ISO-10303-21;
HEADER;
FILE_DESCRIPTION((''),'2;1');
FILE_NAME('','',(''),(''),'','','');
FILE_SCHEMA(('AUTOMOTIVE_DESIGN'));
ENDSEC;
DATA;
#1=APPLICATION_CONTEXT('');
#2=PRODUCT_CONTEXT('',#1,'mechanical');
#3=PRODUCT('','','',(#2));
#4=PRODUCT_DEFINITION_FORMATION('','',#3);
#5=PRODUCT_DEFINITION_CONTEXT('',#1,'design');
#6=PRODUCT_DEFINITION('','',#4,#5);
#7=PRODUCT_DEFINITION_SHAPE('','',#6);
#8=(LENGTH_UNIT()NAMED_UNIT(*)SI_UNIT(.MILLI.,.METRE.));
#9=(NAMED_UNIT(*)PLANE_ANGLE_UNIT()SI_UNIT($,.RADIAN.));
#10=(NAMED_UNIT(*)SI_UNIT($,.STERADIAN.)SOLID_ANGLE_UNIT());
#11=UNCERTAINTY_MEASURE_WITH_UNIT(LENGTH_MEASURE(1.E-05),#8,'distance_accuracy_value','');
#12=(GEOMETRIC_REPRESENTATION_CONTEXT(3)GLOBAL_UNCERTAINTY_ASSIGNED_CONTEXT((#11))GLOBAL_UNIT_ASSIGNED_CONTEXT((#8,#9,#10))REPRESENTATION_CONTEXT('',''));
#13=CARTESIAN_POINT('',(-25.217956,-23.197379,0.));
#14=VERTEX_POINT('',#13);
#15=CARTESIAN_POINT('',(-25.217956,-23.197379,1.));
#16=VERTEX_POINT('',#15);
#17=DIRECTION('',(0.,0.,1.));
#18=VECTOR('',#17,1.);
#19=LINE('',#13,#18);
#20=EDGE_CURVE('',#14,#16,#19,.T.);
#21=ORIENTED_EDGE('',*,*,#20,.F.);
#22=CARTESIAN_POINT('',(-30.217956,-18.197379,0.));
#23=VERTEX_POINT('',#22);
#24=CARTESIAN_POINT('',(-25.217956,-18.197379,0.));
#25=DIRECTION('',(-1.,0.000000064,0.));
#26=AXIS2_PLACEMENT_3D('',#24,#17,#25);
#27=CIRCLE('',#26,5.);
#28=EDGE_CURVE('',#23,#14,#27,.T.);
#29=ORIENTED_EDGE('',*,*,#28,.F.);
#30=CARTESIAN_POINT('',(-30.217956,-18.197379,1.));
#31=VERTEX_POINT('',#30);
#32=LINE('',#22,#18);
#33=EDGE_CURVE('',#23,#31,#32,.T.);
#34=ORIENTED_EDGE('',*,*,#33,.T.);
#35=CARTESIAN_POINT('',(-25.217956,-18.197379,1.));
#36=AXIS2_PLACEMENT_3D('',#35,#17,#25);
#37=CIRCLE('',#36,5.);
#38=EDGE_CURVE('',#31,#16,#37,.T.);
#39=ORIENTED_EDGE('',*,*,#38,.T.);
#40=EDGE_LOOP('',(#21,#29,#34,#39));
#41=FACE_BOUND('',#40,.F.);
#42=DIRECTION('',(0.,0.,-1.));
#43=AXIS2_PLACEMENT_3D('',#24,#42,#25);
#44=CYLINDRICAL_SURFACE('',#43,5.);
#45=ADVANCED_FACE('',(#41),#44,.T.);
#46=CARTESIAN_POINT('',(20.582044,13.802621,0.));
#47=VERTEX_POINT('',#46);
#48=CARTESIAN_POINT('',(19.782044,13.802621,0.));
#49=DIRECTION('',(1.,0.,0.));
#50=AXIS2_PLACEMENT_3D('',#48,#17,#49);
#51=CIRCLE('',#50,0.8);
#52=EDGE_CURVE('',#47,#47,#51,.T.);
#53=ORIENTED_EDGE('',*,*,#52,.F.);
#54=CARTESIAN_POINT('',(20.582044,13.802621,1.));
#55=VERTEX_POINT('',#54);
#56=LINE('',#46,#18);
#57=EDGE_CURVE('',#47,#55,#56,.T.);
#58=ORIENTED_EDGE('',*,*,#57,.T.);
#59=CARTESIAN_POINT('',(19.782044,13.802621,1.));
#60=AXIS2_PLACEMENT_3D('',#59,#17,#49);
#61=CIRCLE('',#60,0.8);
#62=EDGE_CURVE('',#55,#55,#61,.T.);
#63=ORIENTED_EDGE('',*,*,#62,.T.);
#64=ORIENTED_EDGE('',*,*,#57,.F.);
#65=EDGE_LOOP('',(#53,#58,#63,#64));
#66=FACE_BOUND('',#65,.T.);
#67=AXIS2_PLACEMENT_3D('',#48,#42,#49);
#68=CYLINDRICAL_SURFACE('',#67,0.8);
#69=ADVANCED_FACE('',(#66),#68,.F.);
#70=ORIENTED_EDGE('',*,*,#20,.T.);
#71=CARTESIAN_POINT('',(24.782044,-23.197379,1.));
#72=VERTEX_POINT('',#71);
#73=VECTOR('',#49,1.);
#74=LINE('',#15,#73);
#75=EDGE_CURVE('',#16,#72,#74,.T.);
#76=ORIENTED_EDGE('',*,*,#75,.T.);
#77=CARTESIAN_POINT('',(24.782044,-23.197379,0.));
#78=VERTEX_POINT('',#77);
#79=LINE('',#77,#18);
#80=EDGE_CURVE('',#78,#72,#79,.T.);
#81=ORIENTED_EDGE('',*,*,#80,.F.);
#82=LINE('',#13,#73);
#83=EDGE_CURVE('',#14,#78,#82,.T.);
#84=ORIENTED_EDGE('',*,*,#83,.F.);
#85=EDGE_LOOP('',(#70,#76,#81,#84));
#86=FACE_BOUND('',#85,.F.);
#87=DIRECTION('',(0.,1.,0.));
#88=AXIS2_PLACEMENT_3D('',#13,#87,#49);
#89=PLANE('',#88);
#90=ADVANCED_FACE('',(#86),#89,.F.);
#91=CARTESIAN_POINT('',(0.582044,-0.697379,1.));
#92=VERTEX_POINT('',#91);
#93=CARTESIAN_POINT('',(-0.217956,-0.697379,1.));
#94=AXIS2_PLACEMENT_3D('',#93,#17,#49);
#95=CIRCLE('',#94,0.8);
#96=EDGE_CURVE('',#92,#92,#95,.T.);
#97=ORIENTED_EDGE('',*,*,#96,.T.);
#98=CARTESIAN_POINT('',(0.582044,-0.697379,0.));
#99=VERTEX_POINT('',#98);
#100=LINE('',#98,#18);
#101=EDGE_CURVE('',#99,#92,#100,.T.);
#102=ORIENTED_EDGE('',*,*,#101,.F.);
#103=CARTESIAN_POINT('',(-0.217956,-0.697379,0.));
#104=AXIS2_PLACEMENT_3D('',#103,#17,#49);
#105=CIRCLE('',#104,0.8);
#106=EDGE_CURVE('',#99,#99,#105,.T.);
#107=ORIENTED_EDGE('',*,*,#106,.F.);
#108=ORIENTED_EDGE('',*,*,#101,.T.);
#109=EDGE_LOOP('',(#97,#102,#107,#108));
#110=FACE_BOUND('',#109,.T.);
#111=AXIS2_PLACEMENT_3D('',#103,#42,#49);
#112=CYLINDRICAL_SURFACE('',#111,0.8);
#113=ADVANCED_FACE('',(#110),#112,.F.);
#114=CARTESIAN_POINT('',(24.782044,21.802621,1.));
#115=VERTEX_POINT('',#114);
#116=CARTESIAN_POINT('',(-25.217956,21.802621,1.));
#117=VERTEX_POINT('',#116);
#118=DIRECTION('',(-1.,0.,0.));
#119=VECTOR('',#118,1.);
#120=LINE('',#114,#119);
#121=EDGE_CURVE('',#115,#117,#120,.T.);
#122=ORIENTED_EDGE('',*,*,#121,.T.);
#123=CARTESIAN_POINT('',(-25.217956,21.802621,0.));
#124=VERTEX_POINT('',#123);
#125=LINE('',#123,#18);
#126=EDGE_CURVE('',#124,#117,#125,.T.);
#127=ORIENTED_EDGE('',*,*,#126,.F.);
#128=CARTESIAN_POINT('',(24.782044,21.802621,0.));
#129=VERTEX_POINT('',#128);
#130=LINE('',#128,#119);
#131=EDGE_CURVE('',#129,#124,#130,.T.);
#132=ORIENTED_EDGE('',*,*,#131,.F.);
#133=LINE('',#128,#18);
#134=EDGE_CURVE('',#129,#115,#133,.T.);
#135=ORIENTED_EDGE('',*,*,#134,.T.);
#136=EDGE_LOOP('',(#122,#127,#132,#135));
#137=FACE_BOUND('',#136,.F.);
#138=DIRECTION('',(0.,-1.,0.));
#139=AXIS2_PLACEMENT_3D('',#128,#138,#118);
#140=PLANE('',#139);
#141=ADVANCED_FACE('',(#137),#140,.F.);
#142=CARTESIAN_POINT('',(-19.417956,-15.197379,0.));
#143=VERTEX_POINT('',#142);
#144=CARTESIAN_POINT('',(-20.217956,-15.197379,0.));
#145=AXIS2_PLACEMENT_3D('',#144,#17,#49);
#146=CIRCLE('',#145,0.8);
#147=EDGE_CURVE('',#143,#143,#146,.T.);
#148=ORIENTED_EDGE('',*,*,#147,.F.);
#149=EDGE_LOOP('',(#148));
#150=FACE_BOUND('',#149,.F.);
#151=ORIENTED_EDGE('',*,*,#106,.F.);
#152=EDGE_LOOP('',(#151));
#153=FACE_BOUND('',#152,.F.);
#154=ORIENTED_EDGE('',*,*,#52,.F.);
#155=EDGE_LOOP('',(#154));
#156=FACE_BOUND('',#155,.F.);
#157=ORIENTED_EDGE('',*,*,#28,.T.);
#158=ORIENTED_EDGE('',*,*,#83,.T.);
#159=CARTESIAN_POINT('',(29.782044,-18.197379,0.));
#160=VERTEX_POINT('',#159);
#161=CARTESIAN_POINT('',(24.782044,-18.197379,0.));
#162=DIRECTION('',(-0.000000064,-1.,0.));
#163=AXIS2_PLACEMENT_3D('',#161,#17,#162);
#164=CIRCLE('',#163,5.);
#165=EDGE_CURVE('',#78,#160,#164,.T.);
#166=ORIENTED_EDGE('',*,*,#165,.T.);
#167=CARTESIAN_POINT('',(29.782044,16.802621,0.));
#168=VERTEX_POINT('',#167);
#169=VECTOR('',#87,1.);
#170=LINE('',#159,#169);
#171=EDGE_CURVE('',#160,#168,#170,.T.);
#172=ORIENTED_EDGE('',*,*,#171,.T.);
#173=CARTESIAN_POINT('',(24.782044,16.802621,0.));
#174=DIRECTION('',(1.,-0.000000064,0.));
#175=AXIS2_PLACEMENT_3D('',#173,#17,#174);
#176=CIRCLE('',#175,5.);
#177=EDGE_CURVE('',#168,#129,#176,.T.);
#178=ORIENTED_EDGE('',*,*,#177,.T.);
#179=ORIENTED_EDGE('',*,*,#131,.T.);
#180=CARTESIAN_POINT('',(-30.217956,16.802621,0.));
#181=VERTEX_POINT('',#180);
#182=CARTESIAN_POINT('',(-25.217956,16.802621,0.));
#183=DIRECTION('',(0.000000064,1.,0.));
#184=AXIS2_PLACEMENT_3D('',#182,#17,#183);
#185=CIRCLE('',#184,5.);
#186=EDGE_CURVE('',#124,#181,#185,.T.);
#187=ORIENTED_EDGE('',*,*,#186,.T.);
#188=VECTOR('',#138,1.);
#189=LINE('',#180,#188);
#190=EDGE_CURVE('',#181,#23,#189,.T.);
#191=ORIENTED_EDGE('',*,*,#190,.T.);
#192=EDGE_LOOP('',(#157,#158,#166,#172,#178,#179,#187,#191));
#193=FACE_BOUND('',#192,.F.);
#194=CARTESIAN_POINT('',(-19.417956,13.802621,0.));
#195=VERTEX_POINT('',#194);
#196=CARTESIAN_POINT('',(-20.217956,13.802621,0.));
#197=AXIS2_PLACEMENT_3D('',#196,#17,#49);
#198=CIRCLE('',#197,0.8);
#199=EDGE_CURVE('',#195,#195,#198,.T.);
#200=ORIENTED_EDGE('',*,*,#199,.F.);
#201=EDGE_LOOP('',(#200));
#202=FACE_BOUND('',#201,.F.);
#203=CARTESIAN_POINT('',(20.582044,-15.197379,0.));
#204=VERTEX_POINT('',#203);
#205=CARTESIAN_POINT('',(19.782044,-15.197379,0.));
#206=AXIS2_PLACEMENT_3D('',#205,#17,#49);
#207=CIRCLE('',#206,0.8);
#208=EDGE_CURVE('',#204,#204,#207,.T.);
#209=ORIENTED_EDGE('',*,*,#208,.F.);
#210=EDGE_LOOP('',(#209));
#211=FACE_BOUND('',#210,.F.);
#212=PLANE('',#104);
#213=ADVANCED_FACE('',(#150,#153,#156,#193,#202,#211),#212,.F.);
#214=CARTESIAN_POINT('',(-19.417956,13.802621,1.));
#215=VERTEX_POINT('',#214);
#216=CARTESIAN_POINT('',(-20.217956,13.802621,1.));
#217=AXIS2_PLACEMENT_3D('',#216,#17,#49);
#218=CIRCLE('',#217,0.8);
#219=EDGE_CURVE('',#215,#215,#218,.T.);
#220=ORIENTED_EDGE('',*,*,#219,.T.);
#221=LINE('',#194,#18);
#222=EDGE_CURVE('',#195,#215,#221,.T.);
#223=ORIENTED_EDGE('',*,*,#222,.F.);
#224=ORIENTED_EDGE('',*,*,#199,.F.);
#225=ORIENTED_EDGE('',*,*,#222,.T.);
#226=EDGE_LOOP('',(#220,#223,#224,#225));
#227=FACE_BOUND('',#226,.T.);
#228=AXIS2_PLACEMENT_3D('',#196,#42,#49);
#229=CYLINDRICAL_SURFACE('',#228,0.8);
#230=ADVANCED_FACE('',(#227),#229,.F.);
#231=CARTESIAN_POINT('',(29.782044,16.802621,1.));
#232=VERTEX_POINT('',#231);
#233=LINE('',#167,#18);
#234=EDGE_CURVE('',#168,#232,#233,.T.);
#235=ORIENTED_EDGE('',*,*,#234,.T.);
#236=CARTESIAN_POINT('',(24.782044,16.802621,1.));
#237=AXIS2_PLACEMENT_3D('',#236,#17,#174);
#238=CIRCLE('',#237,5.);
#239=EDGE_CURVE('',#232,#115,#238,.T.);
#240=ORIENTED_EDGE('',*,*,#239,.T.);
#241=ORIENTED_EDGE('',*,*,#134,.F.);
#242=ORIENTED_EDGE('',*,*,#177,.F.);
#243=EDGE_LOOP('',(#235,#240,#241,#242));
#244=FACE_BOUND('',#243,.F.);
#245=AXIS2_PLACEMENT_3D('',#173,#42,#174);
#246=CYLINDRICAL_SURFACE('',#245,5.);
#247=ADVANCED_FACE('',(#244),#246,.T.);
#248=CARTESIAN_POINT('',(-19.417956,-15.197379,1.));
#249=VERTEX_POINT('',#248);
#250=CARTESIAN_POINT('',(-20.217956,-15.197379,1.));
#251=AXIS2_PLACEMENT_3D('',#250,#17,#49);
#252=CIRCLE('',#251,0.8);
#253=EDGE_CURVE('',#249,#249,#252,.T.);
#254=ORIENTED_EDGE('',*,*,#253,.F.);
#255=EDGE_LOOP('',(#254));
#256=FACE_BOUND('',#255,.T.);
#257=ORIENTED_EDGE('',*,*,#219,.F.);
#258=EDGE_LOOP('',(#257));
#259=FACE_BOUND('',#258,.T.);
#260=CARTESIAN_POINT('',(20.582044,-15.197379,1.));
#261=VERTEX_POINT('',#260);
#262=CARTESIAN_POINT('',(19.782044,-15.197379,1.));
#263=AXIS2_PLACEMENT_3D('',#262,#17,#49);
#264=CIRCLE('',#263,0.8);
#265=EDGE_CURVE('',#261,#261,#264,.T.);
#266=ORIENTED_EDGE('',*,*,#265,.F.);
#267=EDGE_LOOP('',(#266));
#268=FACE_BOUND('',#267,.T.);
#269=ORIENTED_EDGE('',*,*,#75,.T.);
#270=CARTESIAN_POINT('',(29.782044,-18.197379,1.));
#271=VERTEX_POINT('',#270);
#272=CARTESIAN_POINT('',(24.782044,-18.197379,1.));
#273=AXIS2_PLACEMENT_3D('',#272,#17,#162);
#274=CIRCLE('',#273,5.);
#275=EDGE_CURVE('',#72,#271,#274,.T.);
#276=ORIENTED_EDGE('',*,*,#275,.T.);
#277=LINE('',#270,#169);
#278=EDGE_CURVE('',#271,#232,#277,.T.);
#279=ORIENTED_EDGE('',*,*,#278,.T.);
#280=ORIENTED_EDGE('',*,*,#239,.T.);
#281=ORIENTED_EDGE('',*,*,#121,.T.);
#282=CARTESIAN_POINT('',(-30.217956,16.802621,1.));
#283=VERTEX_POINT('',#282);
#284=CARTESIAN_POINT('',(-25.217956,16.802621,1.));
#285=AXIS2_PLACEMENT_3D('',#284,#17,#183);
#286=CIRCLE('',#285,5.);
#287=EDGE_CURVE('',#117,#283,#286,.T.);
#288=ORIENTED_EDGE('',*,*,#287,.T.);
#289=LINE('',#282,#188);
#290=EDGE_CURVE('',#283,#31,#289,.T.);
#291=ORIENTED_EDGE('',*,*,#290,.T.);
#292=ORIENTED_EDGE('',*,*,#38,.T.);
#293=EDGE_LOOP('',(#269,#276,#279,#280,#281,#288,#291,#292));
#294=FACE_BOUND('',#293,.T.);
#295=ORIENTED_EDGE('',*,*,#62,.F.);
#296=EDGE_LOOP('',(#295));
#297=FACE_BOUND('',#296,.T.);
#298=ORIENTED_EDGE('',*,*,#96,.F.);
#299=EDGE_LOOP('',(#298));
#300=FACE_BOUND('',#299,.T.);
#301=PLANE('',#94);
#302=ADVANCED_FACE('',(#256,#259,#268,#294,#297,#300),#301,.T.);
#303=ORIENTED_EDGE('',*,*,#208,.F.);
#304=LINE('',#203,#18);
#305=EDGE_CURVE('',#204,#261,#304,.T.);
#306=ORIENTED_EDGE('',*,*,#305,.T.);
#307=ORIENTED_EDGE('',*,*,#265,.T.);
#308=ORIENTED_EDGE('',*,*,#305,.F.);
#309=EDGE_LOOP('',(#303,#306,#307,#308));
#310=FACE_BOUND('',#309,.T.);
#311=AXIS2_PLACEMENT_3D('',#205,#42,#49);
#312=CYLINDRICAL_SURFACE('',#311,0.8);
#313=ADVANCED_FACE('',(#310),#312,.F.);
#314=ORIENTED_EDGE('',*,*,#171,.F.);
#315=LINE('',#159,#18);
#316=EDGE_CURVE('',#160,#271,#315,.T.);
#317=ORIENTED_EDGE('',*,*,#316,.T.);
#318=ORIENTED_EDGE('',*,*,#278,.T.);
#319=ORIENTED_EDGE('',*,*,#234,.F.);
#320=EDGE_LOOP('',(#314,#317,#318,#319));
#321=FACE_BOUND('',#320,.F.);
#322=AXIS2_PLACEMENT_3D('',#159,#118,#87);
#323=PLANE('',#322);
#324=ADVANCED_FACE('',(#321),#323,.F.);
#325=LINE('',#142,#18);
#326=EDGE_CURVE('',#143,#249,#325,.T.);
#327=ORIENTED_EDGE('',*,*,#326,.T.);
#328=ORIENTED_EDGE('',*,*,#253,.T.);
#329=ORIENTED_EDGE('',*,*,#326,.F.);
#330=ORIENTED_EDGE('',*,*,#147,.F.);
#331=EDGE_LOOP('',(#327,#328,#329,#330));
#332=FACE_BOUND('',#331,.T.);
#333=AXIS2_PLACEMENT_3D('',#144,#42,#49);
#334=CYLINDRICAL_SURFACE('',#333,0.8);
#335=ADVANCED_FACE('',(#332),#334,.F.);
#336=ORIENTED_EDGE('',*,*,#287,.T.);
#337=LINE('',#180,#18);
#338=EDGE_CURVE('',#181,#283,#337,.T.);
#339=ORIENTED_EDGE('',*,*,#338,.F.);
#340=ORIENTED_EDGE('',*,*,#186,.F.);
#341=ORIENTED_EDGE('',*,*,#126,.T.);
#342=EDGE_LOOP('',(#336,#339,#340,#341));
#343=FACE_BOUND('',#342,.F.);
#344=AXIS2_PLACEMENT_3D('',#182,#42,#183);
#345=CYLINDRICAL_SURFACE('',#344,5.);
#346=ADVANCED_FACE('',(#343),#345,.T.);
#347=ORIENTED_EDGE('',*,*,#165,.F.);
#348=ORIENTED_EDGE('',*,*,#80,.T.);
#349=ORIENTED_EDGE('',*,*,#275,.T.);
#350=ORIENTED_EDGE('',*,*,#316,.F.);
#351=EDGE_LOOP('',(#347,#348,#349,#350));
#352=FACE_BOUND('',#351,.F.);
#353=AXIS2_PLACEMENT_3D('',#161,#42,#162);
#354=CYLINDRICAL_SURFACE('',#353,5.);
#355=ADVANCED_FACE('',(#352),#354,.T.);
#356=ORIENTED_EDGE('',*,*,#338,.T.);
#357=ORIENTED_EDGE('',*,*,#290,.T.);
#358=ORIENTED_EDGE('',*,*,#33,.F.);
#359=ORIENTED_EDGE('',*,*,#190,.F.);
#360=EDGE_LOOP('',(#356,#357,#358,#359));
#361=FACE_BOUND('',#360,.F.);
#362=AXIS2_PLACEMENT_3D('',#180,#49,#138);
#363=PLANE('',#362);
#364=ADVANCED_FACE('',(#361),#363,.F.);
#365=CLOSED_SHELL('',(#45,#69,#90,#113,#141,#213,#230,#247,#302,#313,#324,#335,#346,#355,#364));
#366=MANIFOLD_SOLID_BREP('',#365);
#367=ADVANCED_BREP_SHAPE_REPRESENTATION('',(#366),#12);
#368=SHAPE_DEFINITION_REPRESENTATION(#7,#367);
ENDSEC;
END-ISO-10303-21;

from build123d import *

# Parameters (mm, degrees)
F0_R     = 0.8
F1_DEPTH = 1


with BuildPart() as f1:
    # F0 (on Top) → F1 (new body)
    with BuildSketch(Plane.XY):
        with BuildLine():
            Line((24.782044, 21.802621), (-25.217956, 21.802621))
            ThreePointArc((-25.217956, 21.802621), (-28.75349, 20.338155), (-30.217956, 16.802621))
            Line((-30.217956, 16.802621), (-30.217956, -18.197379))
            ThreePointArc((-30.217956, -18.197379), (-28.75349, -21.732913), (-25.217956, -23.197379))
            Line((-25.217956, -23.197379), (24.782044, -23.197379))
            ThreePointArc((24.782044, -23.197379), (28.317578, -21.732913), (29.782044, -18.197379))
            Line((29.782044, -18.197379), (29.782044, 16.802621))
            ThreePointArc((29.782044, 16.802621), (28.317578, 20.338155), (24.782044, 21.802621))
        make_face()
        with Locations((-20.217956, -15.197379)):
            Circle(F0_R, mode=Mode.SUBTRACT)
        with Locations((19.782044, -15.197379)):
            Circle(F0_R, mode=Mode.SUBTRACT)
        with Locations((-20.217956, 13.802621)):
            Circle(F0_R, mode=Mode.SUBTRACT)
        with Locations((-0.217956, -0.697379)):
            Circle(F0_R, mode=Mode.SUBTRACT)
        with Locations((19.782044, 13.802621)):
            Circle(F0_R, mode=Mode.SUBTRACT)
    extrude(amount=F1_DEPTH)


solid = f1.part
